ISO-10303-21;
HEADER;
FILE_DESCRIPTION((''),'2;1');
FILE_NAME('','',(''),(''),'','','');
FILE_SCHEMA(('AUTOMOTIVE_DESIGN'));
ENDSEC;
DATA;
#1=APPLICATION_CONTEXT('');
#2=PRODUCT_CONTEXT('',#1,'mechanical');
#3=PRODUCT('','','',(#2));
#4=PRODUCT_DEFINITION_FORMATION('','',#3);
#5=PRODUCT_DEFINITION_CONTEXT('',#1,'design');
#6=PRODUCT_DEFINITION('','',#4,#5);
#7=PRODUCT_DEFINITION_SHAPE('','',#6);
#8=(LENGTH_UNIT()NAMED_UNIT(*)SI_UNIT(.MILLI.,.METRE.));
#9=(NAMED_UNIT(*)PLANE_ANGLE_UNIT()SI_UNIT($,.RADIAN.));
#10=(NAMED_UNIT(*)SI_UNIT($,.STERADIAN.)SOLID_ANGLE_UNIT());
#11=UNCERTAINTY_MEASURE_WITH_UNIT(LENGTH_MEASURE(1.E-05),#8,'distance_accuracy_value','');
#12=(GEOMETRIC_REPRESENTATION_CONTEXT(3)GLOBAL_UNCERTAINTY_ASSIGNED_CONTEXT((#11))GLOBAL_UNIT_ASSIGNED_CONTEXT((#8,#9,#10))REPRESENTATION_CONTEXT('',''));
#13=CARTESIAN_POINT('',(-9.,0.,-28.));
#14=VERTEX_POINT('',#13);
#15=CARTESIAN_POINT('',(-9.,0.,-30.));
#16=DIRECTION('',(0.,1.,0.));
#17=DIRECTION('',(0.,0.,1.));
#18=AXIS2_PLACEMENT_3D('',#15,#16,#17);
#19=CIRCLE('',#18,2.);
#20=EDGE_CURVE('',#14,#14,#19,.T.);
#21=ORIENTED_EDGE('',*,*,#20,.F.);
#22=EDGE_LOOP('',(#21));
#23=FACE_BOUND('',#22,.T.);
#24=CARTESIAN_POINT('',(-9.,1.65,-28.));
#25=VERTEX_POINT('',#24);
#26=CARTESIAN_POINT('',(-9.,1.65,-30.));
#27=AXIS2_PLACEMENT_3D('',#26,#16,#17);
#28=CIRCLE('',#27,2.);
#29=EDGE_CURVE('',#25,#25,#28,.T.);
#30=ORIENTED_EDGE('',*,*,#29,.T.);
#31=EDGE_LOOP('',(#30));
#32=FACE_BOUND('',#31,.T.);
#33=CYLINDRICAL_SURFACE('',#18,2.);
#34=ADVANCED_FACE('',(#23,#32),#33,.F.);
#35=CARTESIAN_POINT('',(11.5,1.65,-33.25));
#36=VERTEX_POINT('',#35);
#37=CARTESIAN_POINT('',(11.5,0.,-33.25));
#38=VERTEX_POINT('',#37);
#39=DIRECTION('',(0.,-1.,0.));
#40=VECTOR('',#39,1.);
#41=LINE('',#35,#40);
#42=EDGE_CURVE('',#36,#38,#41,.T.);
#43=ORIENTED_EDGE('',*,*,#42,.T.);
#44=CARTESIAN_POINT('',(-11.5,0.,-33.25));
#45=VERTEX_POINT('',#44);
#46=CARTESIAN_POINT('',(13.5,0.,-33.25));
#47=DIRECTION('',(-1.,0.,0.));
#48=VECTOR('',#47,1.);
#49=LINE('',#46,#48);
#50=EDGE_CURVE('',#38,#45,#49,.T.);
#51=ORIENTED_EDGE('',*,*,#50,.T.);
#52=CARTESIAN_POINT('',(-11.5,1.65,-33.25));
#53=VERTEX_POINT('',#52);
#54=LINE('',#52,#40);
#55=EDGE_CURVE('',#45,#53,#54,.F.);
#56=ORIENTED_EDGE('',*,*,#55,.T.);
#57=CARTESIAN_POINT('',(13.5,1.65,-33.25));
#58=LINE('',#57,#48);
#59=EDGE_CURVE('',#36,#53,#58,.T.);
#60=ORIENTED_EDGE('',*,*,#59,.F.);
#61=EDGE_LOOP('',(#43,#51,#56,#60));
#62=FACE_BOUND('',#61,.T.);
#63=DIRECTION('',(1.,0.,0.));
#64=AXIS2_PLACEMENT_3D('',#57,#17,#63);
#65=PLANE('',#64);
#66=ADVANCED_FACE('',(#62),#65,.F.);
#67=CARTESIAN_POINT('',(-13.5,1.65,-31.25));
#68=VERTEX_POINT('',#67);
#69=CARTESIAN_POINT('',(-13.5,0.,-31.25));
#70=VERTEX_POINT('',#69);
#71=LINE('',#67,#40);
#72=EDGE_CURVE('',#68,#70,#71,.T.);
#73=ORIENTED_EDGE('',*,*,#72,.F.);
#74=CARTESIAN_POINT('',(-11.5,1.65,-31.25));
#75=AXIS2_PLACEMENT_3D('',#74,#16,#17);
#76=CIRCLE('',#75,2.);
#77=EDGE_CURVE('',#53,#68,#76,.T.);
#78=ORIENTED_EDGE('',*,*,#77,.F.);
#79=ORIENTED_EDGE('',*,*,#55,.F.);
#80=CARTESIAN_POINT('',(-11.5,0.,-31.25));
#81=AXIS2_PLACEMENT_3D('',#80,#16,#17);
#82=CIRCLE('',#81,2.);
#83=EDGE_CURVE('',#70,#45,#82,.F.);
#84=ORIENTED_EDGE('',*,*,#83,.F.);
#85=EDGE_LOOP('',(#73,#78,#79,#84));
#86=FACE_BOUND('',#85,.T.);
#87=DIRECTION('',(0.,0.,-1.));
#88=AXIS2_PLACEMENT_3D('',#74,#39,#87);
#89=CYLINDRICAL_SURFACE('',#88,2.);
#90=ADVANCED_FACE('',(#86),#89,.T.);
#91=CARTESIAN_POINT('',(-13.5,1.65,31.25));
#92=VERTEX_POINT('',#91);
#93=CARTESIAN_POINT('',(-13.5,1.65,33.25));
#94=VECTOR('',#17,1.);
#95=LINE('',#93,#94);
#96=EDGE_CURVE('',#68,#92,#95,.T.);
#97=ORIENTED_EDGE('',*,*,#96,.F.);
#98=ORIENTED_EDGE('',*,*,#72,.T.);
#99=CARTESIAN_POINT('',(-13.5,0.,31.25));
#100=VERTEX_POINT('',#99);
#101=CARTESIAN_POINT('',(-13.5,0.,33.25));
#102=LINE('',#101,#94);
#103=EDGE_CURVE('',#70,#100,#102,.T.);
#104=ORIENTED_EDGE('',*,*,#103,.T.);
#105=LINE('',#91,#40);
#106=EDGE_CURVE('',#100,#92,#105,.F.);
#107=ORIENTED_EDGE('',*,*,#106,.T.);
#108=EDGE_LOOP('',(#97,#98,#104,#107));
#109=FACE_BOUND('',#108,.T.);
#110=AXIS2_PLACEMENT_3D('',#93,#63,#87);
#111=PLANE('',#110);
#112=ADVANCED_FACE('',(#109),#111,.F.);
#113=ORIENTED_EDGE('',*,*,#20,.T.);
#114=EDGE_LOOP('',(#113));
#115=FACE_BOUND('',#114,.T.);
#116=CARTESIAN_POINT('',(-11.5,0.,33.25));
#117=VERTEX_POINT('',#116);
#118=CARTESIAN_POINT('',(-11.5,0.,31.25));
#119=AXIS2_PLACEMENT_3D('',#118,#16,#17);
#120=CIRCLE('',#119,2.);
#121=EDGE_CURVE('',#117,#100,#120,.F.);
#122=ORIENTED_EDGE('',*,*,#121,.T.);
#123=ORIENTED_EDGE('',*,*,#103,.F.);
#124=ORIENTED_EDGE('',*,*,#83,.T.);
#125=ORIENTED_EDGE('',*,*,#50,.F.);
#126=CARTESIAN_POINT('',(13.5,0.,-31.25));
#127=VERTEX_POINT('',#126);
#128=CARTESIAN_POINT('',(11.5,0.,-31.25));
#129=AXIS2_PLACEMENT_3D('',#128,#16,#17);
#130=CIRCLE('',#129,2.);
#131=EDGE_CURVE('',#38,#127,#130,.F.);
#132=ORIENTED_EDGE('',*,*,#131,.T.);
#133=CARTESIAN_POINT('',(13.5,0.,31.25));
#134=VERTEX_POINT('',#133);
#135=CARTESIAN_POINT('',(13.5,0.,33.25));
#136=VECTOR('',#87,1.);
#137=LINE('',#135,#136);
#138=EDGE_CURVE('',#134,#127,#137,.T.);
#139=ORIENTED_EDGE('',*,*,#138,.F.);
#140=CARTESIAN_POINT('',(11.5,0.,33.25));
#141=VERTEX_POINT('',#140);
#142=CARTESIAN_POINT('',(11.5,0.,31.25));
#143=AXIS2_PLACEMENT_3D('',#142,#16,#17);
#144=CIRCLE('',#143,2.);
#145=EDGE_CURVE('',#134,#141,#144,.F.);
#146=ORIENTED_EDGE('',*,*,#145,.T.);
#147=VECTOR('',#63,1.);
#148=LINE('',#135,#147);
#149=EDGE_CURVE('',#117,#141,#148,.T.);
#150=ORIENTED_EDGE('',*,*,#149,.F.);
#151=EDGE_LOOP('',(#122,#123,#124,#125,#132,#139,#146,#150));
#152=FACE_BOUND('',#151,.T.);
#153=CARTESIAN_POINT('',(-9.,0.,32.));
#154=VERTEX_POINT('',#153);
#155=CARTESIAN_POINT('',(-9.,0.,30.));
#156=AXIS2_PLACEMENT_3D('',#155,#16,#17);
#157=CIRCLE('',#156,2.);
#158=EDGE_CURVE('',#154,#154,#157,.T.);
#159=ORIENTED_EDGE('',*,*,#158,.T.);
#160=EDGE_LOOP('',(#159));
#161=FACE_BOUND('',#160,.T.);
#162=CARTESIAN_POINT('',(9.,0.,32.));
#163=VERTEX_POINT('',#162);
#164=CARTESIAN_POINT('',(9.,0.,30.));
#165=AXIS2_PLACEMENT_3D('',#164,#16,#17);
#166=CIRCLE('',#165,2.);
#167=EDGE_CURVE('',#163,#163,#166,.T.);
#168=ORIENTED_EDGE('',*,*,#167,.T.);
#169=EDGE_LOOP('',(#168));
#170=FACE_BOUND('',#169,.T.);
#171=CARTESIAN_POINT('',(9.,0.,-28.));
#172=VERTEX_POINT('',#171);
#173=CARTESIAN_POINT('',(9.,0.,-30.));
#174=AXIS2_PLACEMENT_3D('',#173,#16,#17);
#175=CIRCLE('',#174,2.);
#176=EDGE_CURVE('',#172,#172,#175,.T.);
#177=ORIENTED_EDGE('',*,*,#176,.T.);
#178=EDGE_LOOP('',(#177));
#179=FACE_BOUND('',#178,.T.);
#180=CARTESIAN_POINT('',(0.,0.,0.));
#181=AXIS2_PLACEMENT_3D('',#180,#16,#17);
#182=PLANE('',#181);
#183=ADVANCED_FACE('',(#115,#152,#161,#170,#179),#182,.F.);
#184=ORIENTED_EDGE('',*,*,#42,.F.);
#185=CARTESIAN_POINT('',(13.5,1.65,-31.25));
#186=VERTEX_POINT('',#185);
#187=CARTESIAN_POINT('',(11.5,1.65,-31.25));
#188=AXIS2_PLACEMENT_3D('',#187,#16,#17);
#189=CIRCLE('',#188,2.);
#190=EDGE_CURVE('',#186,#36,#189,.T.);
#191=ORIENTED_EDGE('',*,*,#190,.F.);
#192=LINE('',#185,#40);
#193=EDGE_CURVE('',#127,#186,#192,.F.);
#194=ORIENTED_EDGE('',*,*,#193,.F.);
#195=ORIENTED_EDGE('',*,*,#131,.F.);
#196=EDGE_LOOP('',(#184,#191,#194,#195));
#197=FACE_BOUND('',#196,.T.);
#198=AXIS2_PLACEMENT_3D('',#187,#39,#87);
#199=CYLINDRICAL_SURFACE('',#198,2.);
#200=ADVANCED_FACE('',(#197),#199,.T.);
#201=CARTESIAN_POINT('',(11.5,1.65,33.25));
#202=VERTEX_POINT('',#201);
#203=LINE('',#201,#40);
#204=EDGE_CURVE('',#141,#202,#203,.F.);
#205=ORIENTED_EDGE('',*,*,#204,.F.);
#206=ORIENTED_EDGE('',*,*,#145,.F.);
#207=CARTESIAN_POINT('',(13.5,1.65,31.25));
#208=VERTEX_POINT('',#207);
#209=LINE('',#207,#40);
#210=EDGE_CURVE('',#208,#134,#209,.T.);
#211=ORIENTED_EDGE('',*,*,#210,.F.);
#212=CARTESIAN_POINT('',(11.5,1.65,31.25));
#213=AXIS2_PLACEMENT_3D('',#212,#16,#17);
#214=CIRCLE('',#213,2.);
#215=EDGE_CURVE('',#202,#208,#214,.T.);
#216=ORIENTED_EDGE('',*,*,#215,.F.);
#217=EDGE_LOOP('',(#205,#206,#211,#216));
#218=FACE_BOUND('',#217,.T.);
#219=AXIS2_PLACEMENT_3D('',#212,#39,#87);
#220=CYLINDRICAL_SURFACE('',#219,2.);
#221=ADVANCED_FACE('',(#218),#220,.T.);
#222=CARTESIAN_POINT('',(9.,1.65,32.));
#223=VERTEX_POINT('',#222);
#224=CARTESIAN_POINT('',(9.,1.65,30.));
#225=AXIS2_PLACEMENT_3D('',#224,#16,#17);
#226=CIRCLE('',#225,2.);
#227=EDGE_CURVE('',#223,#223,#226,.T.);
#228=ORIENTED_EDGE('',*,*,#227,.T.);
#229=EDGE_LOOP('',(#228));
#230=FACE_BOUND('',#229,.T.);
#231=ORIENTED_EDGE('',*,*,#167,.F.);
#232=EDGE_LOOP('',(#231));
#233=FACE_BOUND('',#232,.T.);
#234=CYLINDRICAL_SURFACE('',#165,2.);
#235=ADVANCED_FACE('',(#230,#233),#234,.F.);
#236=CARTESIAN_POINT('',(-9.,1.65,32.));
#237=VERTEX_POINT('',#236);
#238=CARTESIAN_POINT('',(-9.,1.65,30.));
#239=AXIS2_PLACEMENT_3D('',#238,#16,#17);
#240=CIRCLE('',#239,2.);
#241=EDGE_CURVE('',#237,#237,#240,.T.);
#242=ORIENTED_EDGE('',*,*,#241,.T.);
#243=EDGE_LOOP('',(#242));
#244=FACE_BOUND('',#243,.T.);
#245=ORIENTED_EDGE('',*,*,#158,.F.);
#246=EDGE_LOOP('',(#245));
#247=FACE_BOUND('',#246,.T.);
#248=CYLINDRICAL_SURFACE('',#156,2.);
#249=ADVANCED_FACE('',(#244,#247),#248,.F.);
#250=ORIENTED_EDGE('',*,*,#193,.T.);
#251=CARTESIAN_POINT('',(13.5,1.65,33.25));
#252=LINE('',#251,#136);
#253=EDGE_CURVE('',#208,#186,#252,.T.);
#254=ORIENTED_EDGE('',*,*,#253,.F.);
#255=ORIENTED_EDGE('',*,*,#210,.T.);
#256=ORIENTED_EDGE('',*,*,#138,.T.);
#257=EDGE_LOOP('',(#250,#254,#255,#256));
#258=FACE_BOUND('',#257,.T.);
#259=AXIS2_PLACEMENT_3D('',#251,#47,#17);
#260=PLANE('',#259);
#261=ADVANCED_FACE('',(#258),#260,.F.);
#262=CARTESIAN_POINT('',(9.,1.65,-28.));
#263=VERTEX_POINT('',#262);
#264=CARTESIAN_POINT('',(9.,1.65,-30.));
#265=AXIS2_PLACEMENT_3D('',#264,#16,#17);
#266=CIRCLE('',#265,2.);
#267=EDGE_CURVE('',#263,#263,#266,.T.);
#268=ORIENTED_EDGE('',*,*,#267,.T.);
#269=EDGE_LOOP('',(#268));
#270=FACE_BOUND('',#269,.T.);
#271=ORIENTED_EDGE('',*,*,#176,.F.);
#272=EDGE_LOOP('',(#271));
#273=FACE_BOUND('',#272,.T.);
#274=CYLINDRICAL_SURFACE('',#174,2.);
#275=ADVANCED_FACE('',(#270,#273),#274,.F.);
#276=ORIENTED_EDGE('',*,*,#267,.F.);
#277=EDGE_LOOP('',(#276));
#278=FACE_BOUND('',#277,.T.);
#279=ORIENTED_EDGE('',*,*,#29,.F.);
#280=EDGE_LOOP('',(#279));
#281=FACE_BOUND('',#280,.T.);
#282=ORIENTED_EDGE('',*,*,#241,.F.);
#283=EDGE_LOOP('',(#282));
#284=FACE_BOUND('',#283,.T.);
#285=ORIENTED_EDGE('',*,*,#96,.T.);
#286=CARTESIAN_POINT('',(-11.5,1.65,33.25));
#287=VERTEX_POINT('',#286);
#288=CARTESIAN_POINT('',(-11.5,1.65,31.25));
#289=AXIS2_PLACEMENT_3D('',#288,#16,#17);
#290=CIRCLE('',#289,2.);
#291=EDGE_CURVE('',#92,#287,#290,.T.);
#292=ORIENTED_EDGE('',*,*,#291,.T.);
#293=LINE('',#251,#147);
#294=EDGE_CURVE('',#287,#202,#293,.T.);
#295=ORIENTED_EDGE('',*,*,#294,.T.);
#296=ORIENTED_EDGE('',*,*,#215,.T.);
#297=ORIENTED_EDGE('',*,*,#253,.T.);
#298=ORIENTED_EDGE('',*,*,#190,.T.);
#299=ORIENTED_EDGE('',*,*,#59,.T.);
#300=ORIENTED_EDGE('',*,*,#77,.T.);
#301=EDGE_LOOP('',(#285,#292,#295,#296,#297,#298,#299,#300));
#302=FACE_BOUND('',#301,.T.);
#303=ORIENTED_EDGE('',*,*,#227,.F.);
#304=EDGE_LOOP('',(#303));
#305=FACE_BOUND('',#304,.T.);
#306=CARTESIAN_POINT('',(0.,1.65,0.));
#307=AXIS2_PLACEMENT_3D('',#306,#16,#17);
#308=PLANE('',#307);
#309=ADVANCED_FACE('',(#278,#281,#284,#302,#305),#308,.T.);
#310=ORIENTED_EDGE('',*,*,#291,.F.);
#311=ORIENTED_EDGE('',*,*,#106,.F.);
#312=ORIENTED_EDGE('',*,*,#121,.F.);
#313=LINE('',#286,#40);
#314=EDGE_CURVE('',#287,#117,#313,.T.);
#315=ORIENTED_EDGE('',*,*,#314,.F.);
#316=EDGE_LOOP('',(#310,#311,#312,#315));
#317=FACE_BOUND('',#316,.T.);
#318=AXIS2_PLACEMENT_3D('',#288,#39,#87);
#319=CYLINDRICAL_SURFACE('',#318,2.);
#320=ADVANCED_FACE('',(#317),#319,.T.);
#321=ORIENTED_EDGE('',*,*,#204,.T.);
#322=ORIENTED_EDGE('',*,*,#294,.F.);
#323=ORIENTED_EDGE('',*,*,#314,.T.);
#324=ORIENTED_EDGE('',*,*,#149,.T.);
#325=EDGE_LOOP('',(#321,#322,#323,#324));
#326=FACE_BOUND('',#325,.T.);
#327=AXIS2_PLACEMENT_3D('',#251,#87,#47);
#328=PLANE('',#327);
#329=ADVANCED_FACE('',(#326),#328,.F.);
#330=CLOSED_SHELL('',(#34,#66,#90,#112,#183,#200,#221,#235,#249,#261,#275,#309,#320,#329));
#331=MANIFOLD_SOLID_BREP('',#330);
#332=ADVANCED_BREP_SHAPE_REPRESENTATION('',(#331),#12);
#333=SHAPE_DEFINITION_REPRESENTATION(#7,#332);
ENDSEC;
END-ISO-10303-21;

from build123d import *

# Parameters (mm, degrees)
SKETCH1_W           = 27
SKETCH1_H           = 66.5
BOSS_EXTRUDE1_DEPTH = 1.65
FILLET1_R           = 2
SKETCH2_R           = 2
CUT_EXTRUDE1_DEPTH  = 36.924017036


with BuildPart() as part:
    # Sketch1 → Boss-Extrude1 (new body)
    with BuildSketch(Plane(origin=(0, 0, 0), x_dir=(1, 0, 0), z_dir=(0, 1, 0))):
        Rectangle(SKETCH1_W, SKETCH1_H)
    extrude(amount=BOSS_EXTRUDE1_DEPTH)

    # Fillet1
    fillet1_edges = [part.edges().sort_by_distance(p)[0] for p in [
        (-13.5, 0.825, -33.25),
        (13.5, 0.825, -33.25),
        (13.5, 0.825, 33.25),
        (-13.5, 0.825, 33.25),
    ]]
    fillet(fillet1_edges, radius=FILLET1_R)

    # Sketch2 → Cut-Extrude1 (cut, through all)
    with BuildSketch(Plane(origin=(0, 1.65, 0), x_dir=(1, 0, 0), z_dir=(0, 1, 0))):
        with Locations(Location((-9, 30, 0), (0, 0, 270))):
            Circle(SKETCH2_R)
        with Locations(Location((9, 30, 0), (0, 0, 270))):
            Circle(SKETCH2_R)
        with Locations(Location((9, -30, 0), (0, 0, 270))):
            Circle(SKETCH2_R)
        with Locations(Location((-9, -30, 0), (0, 0, 270))):
            Circle(SKETCH2_R)
    extrude(amount=-CUT_EXTRUDE1_DEPTH, mode=Mode.SUBTRACT)


solid = part.part
